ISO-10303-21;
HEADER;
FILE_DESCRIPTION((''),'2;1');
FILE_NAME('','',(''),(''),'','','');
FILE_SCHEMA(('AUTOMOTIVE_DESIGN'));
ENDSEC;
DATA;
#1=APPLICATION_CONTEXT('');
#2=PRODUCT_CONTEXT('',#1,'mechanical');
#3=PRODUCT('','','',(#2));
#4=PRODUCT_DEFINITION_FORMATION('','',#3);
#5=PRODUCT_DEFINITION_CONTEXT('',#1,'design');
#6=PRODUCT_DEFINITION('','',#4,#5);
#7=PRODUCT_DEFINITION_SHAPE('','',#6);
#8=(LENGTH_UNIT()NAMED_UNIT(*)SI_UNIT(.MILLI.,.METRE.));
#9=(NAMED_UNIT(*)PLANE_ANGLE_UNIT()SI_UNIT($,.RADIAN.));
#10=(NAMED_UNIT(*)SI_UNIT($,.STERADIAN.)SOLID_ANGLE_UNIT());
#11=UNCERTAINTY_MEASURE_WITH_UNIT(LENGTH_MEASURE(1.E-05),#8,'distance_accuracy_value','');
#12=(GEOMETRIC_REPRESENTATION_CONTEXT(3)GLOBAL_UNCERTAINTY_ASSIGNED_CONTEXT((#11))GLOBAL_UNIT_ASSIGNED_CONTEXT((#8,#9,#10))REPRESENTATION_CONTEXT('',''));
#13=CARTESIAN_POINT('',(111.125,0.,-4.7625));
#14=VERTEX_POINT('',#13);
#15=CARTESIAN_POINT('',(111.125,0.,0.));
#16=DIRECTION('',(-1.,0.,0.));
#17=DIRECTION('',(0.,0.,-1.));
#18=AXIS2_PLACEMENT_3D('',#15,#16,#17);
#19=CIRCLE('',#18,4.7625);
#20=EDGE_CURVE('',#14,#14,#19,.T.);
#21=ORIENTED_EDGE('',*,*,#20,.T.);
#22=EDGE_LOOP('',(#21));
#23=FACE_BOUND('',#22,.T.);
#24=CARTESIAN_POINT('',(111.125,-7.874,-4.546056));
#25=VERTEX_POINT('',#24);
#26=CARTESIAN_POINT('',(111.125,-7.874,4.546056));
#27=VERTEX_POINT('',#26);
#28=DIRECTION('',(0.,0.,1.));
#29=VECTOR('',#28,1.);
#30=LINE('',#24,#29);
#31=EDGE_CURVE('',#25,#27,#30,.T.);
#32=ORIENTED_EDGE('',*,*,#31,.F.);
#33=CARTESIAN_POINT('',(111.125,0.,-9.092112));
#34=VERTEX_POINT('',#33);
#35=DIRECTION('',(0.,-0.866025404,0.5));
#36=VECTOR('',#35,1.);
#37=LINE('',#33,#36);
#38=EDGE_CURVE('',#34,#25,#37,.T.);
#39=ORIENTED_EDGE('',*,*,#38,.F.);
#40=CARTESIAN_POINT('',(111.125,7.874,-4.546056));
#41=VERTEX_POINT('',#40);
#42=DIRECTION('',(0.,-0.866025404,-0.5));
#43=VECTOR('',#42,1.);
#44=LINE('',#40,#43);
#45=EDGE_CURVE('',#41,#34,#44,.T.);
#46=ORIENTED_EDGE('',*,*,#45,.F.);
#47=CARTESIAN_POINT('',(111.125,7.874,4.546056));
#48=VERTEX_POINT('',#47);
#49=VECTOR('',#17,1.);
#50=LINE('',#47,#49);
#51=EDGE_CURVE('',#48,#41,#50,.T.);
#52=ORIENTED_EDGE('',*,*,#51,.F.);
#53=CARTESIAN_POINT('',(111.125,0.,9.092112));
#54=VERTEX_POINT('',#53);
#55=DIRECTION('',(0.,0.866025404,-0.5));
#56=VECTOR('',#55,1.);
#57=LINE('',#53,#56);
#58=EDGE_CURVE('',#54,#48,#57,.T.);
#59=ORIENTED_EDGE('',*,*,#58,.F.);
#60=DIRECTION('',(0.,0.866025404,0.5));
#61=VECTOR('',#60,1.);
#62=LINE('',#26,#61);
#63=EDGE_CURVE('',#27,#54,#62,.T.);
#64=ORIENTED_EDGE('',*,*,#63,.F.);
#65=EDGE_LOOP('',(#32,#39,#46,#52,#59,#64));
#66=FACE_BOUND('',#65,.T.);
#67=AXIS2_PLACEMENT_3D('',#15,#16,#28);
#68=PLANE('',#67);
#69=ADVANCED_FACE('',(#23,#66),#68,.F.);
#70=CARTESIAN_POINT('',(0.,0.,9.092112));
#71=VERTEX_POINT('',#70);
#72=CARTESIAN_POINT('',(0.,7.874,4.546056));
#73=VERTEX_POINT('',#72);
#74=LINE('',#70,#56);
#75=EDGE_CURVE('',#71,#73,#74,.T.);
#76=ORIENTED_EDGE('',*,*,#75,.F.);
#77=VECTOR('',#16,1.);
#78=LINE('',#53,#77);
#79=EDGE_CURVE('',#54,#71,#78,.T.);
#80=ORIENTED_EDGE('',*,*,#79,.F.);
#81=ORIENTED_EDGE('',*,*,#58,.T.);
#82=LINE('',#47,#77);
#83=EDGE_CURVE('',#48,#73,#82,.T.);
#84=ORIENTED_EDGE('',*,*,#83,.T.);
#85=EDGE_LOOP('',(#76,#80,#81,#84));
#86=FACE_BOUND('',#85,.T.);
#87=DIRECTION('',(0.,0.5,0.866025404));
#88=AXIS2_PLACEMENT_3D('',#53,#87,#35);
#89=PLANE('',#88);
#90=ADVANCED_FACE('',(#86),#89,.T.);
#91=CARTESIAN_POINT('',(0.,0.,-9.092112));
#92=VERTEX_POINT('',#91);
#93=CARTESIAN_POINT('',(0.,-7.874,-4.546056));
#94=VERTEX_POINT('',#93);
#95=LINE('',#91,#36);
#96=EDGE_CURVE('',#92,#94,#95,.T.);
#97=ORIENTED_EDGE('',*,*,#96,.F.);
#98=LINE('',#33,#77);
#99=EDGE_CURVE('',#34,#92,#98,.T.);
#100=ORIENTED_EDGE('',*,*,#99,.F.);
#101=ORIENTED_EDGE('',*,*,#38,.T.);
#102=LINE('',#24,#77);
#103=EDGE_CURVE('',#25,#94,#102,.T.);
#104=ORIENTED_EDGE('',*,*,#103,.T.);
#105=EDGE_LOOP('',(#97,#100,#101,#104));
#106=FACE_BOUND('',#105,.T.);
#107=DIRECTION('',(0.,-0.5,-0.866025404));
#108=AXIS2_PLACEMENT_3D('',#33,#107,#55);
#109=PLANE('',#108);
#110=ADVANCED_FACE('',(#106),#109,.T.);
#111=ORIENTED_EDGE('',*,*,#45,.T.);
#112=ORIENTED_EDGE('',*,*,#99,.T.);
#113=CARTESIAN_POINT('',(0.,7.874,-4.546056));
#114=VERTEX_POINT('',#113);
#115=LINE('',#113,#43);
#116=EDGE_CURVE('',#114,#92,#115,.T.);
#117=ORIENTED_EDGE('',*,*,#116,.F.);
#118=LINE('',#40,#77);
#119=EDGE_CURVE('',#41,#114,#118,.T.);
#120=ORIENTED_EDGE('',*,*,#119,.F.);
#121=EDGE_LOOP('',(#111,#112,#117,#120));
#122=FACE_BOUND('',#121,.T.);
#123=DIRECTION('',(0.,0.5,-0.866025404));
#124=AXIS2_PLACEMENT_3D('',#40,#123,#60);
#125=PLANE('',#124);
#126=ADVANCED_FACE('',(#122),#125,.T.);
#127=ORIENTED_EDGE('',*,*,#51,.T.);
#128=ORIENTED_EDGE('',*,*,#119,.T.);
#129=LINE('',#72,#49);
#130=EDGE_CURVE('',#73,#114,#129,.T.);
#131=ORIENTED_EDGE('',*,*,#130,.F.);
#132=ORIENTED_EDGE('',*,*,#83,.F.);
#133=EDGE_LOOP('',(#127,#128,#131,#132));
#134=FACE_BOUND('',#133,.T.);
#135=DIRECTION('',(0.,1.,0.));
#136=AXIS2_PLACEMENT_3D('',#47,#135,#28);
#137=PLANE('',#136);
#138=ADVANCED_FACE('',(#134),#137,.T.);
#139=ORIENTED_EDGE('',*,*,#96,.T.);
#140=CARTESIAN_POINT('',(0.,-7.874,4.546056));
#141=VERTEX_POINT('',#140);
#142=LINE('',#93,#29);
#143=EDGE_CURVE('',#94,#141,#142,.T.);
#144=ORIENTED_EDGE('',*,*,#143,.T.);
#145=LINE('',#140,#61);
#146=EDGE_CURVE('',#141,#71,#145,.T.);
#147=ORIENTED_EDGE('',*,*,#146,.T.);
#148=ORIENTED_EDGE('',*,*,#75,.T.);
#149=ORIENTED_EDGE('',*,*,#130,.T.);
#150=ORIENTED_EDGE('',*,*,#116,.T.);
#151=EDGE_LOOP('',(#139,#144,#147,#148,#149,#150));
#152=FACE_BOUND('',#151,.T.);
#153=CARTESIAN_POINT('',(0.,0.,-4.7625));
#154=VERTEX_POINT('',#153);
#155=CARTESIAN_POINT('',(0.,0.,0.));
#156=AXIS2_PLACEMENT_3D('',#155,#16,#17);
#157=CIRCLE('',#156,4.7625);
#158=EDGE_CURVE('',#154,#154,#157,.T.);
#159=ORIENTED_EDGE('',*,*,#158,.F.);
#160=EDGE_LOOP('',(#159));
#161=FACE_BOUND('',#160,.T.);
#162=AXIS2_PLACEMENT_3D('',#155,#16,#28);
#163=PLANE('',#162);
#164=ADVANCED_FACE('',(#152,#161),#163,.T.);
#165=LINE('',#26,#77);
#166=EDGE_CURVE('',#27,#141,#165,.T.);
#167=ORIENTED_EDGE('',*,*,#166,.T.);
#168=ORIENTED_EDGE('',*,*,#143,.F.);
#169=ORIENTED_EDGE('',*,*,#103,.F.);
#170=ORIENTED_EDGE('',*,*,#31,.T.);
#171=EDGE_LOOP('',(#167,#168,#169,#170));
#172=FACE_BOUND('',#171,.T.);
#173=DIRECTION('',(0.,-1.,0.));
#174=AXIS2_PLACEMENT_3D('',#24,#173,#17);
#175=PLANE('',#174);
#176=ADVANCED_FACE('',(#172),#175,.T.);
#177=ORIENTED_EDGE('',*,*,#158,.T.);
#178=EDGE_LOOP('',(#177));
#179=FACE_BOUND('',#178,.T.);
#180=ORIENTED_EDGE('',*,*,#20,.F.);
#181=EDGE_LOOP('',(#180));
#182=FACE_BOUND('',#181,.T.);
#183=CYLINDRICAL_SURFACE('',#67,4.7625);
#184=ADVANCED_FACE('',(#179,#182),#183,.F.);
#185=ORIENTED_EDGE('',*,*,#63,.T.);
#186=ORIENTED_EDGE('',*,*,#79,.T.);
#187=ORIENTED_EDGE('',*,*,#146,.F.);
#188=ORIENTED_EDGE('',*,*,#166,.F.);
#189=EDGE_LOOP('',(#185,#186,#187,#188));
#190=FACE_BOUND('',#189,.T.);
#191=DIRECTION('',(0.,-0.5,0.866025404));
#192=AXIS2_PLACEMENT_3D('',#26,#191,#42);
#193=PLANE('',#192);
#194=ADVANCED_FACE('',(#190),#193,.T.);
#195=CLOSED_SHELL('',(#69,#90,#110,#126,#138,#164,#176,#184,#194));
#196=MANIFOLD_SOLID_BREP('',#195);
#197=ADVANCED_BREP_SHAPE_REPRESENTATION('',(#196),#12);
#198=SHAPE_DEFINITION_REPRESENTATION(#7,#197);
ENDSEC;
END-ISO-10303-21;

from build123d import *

# Parameters (mm, degrees)
SKETCH1_R           = 4.7625
BOSS_EXTRUDE1_DEPTH = 111.125


with BuildPart() as part:
    # Sketch1 → Boss-Extrude1 (new body)
    with BuildSketch(Plane(origin=(0, 0, 0), x_dir=(0, -1, 0), z_dir=(-1, 0, 0))):
        Polygon((7.874, -4.54605602), (7.874, 4.54605602), (0, 9.092112039), (-7.874, 4.54605602), (-7.874, -4.54605602), (0, -9.092112039), align=None)
        Circle(SKETCH1_R, mode=Mode.SUBTRACT)
    extrude(amount=-BOSS_EXTRUDE1_DEPTH)


solid = part.part
